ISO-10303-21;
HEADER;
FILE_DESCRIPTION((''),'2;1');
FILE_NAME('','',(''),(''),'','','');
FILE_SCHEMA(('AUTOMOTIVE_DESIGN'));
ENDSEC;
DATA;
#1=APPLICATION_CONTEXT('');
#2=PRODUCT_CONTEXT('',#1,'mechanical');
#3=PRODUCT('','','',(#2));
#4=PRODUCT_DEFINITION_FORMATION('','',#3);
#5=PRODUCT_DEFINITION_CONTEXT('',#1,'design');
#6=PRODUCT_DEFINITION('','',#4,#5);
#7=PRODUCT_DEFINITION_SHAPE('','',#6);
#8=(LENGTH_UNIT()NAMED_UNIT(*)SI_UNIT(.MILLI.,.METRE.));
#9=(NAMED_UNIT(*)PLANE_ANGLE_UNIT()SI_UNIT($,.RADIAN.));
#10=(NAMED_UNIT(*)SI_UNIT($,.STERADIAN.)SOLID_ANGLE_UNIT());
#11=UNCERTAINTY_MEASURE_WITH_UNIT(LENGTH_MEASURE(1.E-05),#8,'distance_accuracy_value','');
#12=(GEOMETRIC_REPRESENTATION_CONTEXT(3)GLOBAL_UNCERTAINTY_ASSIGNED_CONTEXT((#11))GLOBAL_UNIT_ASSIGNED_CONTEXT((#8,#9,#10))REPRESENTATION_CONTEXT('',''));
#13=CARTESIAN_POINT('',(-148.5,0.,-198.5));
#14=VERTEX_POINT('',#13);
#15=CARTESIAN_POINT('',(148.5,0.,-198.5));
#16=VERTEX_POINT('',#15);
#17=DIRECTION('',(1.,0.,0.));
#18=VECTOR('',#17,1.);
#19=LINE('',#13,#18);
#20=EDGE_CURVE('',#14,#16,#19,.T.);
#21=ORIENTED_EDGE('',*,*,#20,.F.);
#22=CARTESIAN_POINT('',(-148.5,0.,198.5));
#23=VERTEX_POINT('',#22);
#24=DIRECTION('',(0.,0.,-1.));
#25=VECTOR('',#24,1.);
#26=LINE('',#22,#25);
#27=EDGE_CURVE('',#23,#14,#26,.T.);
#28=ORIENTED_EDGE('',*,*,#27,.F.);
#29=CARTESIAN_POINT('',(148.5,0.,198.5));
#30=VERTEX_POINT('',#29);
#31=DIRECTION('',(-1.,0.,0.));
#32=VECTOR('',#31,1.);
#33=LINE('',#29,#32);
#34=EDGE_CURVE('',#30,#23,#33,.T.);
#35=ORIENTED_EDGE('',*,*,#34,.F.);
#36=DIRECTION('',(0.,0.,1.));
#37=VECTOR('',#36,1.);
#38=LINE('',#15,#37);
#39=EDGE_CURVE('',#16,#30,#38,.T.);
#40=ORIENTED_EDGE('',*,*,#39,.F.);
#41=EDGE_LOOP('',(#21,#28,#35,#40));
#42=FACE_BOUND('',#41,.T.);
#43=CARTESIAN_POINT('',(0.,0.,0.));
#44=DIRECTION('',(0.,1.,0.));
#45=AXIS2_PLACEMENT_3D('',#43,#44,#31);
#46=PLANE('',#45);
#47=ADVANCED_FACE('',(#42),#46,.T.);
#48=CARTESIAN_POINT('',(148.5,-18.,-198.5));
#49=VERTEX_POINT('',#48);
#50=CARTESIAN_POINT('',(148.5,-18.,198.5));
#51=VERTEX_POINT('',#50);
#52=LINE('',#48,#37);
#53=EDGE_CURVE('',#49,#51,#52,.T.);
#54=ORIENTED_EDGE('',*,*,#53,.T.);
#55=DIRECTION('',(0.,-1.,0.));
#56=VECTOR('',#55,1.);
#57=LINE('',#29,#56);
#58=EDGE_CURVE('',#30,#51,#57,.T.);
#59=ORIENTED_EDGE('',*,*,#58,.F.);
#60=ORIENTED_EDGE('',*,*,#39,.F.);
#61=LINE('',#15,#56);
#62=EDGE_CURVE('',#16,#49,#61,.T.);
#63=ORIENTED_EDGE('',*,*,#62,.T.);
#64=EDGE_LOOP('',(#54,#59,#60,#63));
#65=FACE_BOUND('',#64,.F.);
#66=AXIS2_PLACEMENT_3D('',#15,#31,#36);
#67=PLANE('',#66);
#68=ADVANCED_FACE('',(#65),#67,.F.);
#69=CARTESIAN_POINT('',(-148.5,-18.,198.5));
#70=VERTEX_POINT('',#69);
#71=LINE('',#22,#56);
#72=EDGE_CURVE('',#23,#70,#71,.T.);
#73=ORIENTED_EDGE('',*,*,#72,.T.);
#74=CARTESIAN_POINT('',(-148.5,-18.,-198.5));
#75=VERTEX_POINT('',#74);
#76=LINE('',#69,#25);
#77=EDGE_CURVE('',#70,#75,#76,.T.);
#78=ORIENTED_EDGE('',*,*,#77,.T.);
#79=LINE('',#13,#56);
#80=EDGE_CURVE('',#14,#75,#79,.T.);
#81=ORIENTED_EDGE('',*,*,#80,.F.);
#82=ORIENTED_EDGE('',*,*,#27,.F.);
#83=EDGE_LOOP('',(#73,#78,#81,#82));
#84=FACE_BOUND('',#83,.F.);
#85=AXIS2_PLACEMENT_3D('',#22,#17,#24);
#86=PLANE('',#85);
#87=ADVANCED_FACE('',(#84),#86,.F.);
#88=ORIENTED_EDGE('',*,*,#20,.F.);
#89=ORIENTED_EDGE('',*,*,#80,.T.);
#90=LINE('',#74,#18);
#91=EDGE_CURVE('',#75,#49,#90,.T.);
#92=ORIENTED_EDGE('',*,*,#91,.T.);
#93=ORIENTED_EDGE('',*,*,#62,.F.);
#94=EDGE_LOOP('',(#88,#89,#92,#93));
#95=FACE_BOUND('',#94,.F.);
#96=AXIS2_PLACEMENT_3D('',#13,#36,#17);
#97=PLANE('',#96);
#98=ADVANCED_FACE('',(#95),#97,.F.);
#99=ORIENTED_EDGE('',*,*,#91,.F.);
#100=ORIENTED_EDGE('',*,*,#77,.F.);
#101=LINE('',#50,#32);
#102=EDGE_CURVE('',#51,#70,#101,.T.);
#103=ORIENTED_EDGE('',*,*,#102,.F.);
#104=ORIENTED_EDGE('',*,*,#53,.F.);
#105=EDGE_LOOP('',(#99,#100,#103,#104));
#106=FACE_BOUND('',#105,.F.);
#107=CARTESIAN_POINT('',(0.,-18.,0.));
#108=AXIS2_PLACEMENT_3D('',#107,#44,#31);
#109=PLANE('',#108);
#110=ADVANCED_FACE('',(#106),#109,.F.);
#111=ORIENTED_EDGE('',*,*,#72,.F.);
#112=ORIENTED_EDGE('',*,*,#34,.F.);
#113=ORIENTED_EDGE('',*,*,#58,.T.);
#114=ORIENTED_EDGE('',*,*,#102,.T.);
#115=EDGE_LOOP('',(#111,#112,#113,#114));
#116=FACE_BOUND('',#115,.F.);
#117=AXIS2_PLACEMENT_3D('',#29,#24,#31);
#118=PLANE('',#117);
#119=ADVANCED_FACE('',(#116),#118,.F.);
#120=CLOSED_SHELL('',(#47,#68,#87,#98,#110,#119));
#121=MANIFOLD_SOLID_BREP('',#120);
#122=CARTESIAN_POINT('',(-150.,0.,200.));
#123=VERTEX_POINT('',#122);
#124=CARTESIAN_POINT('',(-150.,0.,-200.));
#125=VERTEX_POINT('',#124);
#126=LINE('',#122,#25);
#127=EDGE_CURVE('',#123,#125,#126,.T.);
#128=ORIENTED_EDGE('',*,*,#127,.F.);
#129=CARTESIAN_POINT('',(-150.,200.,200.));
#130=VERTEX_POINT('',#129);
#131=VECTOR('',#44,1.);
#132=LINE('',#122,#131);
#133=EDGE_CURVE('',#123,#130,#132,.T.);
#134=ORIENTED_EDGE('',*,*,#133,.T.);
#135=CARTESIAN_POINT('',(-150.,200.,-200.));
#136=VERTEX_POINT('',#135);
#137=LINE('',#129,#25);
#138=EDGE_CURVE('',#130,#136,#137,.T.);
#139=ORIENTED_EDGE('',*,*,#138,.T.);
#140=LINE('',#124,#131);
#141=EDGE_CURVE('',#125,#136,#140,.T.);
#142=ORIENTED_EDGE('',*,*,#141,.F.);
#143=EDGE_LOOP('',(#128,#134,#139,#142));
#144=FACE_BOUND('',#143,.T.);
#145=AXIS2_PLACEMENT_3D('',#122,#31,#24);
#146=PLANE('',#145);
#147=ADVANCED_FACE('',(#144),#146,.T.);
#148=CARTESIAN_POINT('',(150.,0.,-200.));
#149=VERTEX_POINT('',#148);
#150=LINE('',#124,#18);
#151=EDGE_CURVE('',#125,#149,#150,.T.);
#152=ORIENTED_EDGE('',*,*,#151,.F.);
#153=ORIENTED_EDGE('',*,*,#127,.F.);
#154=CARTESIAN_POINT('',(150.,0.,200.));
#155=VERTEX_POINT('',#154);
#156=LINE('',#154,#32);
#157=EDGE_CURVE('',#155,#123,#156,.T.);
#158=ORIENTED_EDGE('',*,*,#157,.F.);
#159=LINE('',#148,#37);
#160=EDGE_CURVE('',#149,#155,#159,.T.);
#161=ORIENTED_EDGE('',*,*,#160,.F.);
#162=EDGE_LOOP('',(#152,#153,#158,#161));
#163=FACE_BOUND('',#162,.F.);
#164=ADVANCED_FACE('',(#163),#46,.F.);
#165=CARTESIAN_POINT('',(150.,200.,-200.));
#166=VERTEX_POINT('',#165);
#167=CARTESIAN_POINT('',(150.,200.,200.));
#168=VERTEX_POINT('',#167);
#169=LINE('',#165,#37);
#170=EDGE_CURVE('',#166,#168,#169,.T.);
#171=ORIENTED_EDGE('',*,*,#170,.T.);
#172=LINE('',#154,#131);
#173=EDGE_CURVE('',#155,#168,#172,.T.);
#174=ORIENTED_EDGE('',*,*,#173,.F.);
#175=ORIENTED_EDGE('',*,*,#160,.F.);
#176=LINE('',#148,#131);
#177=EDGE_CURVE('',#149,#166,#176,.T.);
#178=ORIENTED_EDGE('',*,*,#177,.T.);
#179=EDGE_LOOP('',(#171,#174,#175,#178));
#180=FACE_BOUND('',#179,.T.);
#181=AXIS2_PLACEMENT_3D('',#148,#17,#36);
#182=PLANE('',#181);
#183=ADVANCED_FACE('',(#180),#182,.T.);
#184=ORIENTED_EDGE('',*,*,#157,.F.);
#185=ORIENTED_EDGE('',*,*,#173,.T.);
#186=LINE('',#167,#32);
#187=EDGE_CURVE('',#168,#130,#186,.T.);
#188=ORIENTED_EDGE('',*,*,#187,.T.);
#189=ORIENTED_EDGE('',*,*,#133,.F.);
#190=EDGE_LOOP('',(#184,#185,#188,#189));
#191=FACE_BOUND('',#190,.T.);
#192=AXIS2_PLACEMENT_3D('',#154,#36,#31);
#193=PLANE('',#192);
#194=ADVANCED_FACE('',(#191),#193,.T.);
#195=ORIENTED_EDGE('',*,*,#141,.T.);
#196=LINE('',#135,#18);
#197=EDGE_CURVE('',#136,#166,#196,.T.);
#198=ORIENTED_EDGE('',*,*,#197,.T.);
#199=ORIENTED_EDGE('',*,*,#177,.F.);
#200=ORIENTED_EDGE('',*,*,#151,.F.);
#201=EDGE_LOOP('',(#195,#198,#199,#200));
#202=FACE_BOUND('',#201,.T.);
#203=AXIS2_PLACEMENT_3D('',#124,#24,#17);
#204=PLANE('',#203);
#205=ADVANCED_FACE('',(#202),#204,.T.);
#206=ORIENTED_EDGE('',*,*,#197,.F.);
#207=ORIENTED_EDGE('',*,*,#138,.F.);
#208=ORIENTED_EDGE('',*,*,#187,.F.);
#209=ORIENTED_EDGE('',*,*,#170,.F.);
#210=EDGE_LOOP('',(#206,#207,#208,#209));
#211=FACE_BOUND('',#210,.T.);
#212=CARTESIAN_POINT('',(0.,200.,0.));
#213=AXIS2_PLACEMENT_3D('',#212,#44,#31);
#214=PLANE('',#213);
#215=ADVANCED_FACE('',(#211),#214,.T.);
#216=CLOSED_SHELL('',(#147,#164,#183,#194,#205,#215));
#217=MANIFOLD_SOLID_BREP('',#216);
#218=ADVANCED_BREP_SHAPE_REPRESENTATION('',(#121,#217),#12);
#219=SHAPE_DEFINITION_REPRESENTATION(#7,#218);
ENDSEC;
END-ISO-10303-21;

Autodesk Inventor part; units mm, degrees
ref_plane "YZ Plane" through (0, 0, 0) normal (1, 0, 0) x (0, 1, 0)
ref_plane "XZ Plane" through (0, 0, 0) normal (0, 1, 0) x (-1, 0, 0)
ref_plane "XY Plane" through (0, 0, 0) normal (0, 0, 1) x (1, 0, 0)
sketch "Sketch2" plane through (0, 0, 0) normal (0, 1, 0) x (-1, 0, 0)
  line L0 (150, -200) -> (-150, -200)
  line L1 (-150, -200) -> (-150, 200)
  line L2 (-150, 200) -> (150, 200)
  line L3 (150, 200) -> (150, -200)
  line L4 (150, -200) -> (-150, 200) construction
  line L5 (-150, -200) -> (150, 200) construction
  point P0 (0, 0)
  dimension "Width" = 300
  dimension "Height" = 400
sketch "Sketch1" plane through (0, 0, 0) normal (0, 1, 0) x (-1, 0, 0)
  line L0 (148.5, -198.5) -> (-148.5, -198.5)
  line L1 (-148.5, -198.5) -> (-148.5, 198.5)
  line L2 (-148.5, 198.5) -> (148.5, 198.5)
  line L3 (148.5, 198.5) -> (148.5, -198.5)
  line L4 (-150, 200) -> (150, 200) construction
  line L5 (150, 200) -> (150, -200) construction
  line L6 (150, -200) -> (-150, -200) construction
  line L7 (-150, -200) -> (-150, 200) construction
  point P0 (0, 0)
  dimension "Off_From_Top" = 1.5
  dimension "Off_From_Left" = 1.5
  dimension "Off_From_Bottom" = 1.5
  dimension "Off_From_Right" = 1.5
extrude "Extrusion1" add sketch "Sketch1" against normal blind 18
extrude "Extrusion2" add sketch "Sketch2" along normal blind 200 separate body
equation "\"Total_Offset\" = 0.001"
equation "\"Hinge_Gap\" = 0"
equation "\"Inset_Dist\" = 0"
properties part number "Laminated Board Skeleton"
